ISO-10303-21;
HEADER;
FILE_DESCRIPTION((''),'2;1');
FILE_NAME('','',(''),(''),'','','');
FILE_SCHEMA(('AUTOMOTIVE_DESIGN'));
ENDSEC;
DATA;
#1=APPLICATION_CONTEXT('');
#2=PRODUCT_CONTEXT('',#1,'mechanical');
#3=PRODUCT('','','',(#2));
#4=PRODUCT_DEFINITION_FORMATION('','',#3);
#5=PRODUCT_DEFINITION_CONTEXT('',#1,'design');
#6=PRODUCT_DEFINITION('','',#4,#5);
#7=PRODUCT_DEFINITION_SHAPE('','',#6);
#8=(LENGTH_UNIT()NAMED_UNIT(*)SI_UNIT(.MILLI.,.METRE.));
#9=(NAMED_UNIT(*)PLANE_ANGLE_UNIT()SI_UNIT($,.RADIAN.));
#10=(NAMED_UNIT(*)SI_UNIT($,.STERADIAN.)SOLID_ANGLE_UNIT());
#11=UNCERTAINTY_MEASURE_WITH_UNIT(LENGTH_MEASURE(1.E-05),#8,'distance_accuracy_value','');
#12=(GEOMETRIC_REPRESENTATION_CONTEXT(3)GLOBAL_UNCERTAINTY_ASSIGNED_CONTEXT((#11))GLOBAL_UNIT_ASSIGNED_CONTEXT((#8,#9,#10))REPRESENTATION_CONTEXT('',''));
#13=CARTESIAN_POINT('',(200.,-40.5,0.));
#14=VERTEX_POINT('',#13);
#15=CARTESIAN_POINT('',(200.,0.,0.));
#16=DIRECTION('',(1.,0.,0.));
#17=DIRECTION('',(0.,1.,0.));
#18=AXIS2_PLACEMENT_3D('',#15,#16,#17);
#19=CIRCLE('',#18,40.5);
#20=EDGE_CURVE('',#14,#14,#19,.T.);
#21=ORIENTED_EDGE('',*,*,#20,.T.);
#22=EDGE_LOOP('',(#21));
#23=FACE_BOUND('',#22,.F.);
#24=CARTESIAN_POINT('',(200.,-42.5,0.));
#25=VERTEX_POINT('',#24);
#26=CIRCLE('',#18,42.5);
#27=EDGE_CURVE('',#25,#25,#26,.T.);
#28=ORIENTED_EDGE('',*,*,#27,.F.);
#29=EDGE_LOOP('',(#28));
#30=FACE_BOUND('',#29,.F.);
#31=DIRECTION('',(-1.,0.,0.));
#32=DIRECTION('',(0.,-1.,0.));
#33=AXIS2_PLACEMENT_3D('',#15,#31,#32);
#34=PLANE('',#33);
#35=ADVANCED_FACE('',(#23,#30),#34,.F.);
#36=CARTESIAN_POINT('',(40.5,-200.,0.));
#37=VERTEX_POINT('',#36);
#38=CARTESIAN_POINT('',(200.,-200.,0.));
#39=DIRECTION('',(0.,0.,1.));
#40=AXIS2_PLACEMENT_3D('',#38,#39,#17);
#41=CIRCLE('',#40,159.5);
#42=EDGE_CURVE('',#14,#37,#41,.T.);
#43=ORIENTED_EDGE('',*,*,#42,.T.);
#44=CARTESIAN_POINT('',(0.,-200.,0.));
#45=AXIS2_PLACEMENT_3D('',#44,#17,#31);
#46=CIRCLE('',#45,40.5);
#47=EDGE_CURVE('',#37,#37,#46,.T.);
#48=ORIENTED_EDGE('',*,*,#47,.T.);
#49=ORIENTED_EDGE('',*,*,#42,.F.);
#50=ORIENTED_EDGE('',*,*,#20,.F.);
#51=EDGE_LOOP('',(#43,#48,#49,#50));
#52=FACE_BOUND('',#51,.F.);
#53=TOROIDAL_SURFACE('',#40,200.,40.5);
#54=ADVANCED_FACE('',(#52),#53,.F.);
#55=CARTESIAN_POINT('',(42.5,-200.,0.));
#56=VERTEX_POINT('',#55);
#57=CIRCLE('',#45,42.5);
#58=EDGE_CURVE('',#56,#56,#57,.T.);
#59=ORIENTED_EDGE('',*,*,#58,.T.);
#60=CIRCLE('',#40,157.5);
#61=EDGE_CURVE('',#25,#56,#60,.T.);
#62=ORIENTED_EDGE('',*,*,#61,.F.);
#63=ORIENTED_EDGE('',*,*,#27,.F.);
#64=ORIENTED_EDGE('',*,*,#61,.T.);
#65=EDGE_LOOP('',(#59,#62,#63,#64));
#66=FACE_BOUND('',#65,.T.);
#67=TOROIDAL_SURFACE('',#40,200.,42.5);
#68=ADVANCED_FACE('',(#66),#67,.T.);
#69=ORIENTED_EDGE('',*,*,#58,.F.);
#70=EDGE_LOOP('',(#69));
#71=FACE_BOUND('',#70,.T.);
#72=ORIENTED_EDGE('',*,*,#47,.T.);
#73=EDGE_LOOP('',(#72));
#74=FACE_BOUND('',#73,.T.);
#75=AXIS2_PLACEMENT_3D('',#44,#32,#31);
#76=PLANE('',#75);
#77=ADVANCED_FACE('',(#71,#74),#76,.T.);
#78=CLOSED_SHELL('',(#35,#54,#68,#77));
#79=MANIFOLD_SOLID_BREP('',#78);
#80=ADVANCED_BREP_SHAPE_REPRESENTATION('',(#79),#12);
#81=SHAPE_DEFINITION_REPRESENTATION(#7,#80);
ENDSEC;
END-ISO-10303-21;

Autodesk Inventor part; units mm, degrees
ref_plane "YZ Plane" through (0, 0, 0) normal (1, 0, 0) x (0, 1, 0)
ref_plane "XZ Plane" through (0, 0, 0) normal (0, 1, 0) x (-1, 0, 0)
sketch "Szkic6" plane through (0, 0, 0) normal (0, 0, 1) x (1, 0, 0)
  line L0 (-29.6067, 0) -> (35.2678, 0) construction
  line L1 (0, 42.3419) -> (0, -58.3726) construction
  arc A0 (200, 0) -> (0, -200) centre (200, -200) ccw
  line L2 (0, -200) -> (200, -200) construction
  line L3 (200, -200) -> (200, -134.4669) construction
  line L4 (200, 0) -> (200, 0)
  line L5 (0, -200) -> (0, -200)
  point P0 (0, 0)
  dimension "d24" = 200
  dimension "d31" = 90
  dimension "d36" = 0
  dimension "d37" = 0
ref_plane "Płaszczyzna konstrukcyjna2" through (0, -200, 0) normal (0, -1, 0) x (1, 0, 0)
sketch "Szkic8" plane through (0, -200, 0) normal (0, -1, 0) x (1, 0, 0)
  circle A0 centre (0, 0) radius 42.5
  circle A1 centre (0, 0) radius 40.5
  dimension "d32" = 85
  dimension "d33" = 2
sweep "Przeciągnięcie2" add profiles "Szkic8" path "Szkic6"
equation "\"d32\" = OD"
equation "\"d33\" = THK"
equation "\"d24\" = R"
equation "\"d31\" = KAT"
equation "\"SzerokośćGięciaPodcięcia\" = Grubość"
equation "\"RozmiarPodcięciaNarożnika\" = 4 * Grubość"
equation "\"PromieńPrzejścia\" = PromieńGięcia"
equation "\"Rozmiar_promienia_Jacobiego\" = PromieńGięcia"
equation "\"Wielk_odstępu\" = Grubość"
equation "\"d2\" = PromieńGięcia"
equation "\"d23\" = PromieńGięcia"
equation "\"R\" = 200"
equation "\"OD\" = 85"
equation "\"THK\" = 2"
equation "\"KAT\" = 90deg"
equation "\"PROSTKA\" = 0"
equation "\"Grubość\" = 1.5"
equation "\"PromieńGięcia\" = 3"
properties part number "Kolano 90° ø85x2 R200" material "304L"
